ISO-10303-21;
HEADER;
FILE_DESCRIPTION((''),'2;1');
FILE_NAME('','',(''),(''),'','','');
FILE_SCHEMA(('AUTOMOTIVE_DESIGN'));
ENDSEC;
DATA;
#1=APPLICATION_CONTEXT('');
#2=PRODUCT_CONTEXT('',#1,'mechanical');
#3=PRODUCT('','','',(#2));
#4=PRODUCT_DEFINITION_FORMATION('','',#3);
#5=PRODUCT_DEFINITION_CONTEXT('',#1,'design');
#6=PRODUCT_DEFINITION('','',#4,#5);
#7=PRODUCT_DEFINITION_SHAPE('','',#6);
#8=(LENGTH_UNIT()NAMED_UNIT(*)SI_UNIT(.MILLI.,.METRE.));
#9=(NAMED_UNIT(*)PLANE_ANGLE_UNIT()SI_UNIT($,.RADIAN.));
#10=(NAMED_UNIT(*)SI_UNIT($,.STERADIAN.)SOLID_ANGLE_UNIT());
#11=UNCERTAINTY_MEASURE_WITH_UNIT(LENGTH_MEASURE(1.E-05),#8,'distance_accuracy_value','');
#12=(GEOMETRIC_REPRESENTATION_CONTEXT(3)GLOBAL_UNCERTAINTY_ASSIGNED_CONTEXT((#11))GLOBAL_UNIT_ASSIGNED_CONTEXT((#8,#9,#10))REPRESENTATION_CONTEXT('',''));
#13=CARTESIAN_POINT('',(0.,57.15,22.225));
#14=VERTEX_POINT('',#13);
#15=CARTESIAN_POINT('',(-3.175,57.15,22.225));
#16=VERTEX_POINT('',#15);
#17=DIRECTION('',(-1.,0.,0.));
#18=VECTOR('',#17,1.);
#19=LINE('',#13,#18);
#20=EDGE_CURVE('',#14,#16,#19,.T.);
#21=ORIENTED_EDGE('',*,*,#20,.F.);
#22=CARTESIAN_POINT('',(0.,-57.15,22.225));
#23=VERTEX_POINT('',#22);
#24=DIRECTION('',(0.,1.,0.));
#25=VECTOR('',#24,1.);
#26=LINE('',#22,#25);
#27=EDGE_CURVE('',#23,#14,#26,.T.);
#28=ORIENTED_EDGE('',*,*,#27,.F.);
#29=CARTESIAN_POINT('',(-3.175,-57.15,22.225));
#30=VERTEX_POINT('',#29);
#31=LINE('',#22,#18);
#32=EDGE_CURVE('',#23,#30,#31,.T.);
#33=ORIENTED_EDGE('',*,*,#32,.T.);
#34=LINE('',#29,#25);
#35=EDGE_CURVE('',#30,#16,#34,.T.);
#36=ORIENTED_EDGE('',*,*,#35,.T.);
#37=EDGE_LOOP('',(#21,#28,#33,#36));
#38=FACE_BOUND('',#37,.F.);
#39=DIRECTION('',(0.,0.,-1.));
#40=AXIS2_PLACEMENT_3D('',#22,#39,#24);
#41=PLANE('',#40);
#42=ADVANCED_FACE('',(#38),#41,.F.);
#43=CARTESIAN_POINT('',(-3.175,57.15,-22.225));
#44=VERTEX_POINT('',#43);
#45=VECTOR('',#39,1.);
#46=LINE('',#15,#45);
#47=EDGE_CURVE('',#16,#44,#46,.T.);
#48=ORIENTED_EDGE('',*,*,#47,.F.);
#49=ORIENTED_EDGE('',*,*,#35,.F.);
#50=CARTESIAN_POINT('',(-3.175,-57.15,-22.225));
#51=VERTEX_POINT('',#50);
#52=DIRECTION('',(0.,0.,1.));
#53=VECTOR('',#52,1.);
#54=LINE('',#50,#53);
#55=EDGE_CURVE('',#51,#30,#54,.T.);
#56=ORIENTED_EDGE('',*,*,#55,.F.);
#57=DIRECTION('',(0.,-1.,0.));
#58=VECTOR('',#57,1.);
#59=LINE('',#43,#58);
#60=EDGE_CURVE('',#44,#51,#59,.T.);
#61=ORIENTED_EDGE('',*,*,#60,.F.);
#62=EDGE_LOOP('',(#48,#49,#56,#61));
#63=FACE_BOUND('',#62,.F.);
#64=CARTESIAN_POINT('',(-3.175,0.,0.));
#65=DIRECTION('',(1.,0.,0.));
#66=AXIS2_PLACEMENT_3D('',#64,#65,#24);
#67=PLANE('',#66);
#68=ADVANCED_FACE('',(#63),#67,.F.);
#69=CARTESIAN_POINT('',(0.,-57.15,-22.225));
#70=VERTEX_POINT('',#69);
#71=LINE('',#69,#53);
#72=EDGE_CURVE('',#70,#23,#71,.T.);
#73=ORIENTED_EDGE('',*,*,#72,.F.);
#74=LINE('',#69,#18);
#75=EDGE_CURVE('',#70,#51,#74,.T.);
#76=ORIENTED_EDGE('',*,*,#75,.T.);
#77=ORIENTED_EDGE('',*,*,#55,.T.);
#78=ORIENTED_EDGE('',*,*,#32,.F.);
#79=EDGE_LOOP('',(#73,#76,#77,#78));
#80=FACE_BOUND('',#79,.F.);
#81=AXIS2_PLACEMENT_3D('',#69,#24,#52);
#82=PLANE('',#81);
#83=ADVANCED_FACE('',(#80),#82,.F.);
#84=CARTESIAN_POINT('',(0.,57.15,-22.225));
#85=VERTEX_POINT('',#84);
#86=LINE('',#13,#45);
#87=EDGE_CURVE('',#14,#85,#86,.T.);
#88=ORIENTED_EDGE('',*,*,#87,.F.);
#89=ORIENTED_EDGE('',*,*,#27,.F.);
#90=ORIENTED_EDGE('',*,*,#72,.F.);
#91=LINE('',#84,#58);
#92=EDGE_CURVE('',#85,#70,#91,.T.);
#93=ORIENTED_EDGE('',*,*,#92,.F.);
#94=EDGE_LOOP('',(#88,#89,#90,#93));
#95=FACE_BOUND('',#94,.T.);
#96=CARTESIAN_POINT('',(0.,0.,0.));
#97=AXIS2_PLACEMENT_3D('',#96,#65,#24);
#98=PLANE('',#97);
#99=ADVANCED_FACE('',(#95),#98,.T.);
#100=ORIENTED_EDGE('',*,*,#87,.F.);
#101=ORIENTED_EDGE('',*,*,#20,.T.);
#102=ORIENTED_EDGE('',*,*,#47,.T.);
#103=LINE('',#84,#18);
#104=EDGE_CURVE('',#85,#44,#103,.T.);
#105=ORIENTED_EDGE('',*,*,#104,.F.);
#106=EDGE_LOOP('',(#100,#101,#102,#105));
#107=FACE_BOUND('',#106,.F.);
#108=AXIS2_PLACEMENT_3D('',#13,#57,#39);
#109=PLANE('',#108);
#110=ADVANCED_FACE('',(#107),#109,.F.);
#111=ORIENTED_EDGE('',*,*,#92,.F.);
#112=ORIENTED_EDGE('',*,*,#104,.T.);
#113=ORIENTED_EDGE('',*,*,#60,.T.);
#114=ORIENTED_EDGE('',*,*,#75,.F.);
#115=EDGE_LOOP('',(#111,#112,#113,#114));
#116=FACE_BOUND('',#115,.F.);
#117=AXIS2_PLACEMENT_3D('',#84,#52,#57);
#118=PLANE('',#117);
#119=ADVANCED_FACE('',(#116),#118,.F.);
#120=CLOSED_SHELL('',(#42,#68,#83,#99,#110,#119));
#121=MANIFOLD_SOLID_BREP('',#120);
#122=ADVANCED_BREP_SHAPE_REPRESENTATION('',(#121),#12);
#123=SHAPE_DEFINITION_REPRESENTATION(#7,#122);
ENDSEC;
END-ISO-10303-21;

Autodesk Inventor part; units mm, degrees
ref_plane "YZ Plane" through (0, 0, 0) normal (1, 0, 0) x (0, 1, 0)
ref_plane "XZ Plane" through (0, 0, 0) normal (0, 1, 0) x (-1, 0, 0)
ref_plane "XY Plane" through (0, 0, 0) normal (0, 0, 1) x (1, 0, 0)
sketch "Sketch1" plane through (0, 0, 0) normal (1, 0, 0) x (0, 1, 0)
  line L0 (57.15, -22.225) -> (-57.15, -22.225)
  line L1 (-57.15, -22.225) -> (-57.15, 22.225)
  line L2 (-57.15, 22.225) -> (57.15, 22.225)
  line L3 (57.15, 22.225) -> (57.15, -22.225)
  line L4 (57.15, -22.225) -> (-57.15, 22.225) construction
  line L5 (-57.15, -22.225) -> (57.15, 22.225) construction
  point P0 (0, 0)
  dimension "d0" = 114.3
  dimension "d1" = 44.45
extrude "Extrusion1" add sketch "Sketch1" against normal blind 3.175
properties part number "Top Plate" material "UHMW, White"
